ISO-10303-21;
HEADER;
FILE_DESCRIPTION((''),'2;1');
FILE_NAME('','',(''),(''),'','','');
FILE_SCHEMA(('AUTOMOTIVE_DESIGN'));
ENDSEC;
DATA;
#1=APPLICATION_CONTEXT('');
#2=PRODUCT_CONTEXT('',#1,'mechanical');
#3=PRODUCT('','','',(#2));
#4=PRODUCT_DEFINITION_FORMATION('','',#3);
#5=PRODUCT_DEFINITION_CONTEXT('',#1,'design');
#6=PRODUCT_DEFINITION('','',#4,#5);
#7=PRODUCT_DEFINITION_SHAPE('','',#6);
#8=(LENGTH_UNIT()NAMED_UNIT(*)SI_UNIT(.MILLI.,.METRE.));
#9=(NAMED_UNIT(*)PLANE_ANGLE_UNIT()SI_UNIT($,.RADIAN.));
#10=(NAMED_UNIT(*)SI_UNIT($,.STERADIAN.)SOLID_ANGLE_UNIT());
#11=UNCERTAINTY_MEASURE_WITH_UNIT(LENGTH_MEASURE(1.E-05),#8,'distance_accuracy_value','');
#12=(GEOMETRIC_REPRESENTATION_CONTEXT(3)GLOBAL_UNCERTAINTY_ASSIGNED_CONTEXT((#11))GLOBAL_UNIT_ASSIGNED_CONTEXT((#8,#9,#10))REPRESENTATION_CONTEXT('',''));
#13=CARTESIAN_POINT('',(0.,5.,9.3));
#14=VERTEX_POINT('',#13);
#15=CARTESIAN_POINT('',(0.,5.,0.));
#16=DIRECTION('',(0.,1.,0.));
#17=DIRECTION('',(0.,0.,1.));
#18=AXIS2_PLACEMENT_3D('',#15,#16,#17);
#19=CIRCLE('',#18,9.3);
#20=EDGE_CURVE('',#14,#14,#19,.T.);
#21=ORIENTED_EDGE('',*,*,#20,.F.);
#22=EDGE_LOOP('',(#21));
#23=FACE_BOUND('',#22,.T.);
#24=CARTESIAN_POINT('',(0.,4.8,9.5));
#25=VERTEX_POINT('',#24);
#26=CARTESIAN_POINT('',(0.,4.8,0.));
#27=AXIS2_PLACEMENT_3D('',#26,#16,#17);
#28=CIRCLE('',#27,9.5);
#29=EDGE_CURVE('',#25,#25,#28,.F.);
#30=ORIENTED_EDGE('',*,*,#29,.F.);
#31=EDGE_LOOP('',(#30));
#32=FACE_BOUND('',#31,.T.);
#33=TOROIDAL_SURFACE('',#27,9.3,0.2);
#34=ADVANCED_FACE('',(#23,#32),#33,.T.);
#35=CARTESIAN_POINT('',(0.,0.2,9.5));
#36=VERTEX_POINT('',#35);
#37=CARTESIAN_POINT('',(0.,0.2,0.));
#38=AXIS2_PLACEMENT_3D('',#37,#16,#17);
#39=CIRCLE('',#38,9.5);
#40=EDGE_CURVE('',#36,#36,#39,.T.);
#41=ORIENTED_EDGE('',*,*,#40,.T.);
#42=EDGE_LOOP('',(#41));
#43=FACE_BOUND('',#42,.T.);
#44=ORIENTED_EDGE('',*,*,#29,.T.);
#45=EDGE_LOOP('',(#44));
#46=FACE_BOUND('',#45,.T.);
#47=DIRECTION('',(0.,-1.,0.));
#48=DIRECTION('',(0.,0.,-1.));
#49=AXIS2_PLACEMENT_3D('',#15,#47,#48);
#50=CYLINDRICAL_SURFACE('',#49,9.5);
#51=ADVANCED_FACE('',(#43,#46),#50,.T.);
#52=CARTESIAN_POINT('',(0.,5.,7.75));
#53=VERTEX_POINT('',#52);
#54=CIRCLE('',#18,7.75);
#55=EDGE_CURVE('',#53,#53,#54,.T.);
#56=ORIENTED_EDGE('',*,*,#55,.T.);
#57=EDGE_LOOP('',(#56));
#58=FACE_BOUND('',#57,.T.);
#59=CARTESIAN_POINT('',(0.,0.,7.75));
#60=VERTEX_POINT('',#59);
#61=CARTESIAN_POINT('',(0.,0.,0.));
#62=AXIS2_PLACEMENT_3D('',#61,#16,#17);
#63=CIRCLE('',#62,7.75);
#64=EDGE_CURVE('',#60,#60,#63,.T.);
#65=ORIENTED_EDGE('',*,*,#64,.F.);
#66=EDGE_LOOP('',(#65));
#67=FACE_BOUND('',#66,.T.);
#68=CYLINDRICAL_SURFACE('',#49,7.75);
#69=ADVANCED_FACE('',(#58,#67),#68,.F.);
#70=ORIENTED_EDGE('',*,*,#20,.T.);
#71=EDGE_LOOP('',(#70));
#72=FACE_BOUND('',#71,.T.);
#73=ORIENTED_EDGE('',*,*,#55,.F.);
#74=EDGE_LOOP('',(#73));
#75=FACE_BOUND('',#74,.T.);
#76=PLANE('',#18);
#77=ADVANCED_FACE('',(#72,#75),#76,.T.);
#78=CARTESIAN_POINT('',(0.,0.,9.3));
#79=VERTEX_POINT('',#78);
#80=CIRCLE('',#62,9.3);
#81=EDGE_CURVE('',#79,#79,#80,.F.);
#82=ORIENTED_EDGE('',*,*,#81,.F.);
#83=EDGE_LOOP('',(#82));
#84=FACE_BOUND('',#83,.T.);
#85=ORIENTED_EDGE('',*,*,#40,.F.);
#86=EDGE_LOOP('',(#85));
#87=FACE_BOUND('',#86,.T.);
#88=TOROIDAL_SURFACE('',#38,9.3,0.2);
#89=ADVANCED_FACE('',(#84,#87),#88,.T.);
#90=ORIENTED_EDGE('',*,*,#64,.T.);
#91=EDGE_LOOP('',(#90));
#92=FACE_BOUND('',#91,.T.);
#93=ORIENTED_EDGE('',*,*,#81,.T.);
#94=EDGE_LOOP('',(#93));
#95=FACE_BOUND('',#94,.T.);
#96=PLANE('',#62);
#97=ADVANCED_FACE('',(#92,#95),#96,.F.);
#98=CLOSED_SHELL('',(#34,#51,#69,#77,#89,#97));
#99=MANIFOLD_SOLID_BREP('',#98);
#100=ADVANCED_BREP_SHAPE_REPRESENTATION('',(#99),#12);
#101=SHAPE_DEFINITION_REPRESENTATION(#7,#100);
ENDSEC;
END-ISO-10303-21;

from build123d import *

# Parameters (mm, degrees)
SKETCH1_R           = 9.5
SKETCH1_R_2         = 7.75
BOSS_EXTRUDE1_DEPTH = 5
FILLET1_R           = 0.2


with BuildPart() as part:
    # Sketch1 → Boss-Extrude1 (new body)
    with BuildSketch(Plane(origin=(0, 0, 0), x_dir=(1, 0, 0), z_dir=(0, 1, 0))):
        Circle(SKETCH1_R)
        Circle(SKETCH1_R_2, mode=Mode.SUBTRACT)
    extrude(amount=BOSS_EXTRUDE1_DEPTH)

    # Fillet1
    fillet1_edges = [part.edges().sort_by_distance(p)[0] for p in [
        (-9.5, 0, 0),
        (-9.5, 5, 0),
    ]]
    fillet(fillet1_edges, radius=FILLET1_R)


solid = part.part
